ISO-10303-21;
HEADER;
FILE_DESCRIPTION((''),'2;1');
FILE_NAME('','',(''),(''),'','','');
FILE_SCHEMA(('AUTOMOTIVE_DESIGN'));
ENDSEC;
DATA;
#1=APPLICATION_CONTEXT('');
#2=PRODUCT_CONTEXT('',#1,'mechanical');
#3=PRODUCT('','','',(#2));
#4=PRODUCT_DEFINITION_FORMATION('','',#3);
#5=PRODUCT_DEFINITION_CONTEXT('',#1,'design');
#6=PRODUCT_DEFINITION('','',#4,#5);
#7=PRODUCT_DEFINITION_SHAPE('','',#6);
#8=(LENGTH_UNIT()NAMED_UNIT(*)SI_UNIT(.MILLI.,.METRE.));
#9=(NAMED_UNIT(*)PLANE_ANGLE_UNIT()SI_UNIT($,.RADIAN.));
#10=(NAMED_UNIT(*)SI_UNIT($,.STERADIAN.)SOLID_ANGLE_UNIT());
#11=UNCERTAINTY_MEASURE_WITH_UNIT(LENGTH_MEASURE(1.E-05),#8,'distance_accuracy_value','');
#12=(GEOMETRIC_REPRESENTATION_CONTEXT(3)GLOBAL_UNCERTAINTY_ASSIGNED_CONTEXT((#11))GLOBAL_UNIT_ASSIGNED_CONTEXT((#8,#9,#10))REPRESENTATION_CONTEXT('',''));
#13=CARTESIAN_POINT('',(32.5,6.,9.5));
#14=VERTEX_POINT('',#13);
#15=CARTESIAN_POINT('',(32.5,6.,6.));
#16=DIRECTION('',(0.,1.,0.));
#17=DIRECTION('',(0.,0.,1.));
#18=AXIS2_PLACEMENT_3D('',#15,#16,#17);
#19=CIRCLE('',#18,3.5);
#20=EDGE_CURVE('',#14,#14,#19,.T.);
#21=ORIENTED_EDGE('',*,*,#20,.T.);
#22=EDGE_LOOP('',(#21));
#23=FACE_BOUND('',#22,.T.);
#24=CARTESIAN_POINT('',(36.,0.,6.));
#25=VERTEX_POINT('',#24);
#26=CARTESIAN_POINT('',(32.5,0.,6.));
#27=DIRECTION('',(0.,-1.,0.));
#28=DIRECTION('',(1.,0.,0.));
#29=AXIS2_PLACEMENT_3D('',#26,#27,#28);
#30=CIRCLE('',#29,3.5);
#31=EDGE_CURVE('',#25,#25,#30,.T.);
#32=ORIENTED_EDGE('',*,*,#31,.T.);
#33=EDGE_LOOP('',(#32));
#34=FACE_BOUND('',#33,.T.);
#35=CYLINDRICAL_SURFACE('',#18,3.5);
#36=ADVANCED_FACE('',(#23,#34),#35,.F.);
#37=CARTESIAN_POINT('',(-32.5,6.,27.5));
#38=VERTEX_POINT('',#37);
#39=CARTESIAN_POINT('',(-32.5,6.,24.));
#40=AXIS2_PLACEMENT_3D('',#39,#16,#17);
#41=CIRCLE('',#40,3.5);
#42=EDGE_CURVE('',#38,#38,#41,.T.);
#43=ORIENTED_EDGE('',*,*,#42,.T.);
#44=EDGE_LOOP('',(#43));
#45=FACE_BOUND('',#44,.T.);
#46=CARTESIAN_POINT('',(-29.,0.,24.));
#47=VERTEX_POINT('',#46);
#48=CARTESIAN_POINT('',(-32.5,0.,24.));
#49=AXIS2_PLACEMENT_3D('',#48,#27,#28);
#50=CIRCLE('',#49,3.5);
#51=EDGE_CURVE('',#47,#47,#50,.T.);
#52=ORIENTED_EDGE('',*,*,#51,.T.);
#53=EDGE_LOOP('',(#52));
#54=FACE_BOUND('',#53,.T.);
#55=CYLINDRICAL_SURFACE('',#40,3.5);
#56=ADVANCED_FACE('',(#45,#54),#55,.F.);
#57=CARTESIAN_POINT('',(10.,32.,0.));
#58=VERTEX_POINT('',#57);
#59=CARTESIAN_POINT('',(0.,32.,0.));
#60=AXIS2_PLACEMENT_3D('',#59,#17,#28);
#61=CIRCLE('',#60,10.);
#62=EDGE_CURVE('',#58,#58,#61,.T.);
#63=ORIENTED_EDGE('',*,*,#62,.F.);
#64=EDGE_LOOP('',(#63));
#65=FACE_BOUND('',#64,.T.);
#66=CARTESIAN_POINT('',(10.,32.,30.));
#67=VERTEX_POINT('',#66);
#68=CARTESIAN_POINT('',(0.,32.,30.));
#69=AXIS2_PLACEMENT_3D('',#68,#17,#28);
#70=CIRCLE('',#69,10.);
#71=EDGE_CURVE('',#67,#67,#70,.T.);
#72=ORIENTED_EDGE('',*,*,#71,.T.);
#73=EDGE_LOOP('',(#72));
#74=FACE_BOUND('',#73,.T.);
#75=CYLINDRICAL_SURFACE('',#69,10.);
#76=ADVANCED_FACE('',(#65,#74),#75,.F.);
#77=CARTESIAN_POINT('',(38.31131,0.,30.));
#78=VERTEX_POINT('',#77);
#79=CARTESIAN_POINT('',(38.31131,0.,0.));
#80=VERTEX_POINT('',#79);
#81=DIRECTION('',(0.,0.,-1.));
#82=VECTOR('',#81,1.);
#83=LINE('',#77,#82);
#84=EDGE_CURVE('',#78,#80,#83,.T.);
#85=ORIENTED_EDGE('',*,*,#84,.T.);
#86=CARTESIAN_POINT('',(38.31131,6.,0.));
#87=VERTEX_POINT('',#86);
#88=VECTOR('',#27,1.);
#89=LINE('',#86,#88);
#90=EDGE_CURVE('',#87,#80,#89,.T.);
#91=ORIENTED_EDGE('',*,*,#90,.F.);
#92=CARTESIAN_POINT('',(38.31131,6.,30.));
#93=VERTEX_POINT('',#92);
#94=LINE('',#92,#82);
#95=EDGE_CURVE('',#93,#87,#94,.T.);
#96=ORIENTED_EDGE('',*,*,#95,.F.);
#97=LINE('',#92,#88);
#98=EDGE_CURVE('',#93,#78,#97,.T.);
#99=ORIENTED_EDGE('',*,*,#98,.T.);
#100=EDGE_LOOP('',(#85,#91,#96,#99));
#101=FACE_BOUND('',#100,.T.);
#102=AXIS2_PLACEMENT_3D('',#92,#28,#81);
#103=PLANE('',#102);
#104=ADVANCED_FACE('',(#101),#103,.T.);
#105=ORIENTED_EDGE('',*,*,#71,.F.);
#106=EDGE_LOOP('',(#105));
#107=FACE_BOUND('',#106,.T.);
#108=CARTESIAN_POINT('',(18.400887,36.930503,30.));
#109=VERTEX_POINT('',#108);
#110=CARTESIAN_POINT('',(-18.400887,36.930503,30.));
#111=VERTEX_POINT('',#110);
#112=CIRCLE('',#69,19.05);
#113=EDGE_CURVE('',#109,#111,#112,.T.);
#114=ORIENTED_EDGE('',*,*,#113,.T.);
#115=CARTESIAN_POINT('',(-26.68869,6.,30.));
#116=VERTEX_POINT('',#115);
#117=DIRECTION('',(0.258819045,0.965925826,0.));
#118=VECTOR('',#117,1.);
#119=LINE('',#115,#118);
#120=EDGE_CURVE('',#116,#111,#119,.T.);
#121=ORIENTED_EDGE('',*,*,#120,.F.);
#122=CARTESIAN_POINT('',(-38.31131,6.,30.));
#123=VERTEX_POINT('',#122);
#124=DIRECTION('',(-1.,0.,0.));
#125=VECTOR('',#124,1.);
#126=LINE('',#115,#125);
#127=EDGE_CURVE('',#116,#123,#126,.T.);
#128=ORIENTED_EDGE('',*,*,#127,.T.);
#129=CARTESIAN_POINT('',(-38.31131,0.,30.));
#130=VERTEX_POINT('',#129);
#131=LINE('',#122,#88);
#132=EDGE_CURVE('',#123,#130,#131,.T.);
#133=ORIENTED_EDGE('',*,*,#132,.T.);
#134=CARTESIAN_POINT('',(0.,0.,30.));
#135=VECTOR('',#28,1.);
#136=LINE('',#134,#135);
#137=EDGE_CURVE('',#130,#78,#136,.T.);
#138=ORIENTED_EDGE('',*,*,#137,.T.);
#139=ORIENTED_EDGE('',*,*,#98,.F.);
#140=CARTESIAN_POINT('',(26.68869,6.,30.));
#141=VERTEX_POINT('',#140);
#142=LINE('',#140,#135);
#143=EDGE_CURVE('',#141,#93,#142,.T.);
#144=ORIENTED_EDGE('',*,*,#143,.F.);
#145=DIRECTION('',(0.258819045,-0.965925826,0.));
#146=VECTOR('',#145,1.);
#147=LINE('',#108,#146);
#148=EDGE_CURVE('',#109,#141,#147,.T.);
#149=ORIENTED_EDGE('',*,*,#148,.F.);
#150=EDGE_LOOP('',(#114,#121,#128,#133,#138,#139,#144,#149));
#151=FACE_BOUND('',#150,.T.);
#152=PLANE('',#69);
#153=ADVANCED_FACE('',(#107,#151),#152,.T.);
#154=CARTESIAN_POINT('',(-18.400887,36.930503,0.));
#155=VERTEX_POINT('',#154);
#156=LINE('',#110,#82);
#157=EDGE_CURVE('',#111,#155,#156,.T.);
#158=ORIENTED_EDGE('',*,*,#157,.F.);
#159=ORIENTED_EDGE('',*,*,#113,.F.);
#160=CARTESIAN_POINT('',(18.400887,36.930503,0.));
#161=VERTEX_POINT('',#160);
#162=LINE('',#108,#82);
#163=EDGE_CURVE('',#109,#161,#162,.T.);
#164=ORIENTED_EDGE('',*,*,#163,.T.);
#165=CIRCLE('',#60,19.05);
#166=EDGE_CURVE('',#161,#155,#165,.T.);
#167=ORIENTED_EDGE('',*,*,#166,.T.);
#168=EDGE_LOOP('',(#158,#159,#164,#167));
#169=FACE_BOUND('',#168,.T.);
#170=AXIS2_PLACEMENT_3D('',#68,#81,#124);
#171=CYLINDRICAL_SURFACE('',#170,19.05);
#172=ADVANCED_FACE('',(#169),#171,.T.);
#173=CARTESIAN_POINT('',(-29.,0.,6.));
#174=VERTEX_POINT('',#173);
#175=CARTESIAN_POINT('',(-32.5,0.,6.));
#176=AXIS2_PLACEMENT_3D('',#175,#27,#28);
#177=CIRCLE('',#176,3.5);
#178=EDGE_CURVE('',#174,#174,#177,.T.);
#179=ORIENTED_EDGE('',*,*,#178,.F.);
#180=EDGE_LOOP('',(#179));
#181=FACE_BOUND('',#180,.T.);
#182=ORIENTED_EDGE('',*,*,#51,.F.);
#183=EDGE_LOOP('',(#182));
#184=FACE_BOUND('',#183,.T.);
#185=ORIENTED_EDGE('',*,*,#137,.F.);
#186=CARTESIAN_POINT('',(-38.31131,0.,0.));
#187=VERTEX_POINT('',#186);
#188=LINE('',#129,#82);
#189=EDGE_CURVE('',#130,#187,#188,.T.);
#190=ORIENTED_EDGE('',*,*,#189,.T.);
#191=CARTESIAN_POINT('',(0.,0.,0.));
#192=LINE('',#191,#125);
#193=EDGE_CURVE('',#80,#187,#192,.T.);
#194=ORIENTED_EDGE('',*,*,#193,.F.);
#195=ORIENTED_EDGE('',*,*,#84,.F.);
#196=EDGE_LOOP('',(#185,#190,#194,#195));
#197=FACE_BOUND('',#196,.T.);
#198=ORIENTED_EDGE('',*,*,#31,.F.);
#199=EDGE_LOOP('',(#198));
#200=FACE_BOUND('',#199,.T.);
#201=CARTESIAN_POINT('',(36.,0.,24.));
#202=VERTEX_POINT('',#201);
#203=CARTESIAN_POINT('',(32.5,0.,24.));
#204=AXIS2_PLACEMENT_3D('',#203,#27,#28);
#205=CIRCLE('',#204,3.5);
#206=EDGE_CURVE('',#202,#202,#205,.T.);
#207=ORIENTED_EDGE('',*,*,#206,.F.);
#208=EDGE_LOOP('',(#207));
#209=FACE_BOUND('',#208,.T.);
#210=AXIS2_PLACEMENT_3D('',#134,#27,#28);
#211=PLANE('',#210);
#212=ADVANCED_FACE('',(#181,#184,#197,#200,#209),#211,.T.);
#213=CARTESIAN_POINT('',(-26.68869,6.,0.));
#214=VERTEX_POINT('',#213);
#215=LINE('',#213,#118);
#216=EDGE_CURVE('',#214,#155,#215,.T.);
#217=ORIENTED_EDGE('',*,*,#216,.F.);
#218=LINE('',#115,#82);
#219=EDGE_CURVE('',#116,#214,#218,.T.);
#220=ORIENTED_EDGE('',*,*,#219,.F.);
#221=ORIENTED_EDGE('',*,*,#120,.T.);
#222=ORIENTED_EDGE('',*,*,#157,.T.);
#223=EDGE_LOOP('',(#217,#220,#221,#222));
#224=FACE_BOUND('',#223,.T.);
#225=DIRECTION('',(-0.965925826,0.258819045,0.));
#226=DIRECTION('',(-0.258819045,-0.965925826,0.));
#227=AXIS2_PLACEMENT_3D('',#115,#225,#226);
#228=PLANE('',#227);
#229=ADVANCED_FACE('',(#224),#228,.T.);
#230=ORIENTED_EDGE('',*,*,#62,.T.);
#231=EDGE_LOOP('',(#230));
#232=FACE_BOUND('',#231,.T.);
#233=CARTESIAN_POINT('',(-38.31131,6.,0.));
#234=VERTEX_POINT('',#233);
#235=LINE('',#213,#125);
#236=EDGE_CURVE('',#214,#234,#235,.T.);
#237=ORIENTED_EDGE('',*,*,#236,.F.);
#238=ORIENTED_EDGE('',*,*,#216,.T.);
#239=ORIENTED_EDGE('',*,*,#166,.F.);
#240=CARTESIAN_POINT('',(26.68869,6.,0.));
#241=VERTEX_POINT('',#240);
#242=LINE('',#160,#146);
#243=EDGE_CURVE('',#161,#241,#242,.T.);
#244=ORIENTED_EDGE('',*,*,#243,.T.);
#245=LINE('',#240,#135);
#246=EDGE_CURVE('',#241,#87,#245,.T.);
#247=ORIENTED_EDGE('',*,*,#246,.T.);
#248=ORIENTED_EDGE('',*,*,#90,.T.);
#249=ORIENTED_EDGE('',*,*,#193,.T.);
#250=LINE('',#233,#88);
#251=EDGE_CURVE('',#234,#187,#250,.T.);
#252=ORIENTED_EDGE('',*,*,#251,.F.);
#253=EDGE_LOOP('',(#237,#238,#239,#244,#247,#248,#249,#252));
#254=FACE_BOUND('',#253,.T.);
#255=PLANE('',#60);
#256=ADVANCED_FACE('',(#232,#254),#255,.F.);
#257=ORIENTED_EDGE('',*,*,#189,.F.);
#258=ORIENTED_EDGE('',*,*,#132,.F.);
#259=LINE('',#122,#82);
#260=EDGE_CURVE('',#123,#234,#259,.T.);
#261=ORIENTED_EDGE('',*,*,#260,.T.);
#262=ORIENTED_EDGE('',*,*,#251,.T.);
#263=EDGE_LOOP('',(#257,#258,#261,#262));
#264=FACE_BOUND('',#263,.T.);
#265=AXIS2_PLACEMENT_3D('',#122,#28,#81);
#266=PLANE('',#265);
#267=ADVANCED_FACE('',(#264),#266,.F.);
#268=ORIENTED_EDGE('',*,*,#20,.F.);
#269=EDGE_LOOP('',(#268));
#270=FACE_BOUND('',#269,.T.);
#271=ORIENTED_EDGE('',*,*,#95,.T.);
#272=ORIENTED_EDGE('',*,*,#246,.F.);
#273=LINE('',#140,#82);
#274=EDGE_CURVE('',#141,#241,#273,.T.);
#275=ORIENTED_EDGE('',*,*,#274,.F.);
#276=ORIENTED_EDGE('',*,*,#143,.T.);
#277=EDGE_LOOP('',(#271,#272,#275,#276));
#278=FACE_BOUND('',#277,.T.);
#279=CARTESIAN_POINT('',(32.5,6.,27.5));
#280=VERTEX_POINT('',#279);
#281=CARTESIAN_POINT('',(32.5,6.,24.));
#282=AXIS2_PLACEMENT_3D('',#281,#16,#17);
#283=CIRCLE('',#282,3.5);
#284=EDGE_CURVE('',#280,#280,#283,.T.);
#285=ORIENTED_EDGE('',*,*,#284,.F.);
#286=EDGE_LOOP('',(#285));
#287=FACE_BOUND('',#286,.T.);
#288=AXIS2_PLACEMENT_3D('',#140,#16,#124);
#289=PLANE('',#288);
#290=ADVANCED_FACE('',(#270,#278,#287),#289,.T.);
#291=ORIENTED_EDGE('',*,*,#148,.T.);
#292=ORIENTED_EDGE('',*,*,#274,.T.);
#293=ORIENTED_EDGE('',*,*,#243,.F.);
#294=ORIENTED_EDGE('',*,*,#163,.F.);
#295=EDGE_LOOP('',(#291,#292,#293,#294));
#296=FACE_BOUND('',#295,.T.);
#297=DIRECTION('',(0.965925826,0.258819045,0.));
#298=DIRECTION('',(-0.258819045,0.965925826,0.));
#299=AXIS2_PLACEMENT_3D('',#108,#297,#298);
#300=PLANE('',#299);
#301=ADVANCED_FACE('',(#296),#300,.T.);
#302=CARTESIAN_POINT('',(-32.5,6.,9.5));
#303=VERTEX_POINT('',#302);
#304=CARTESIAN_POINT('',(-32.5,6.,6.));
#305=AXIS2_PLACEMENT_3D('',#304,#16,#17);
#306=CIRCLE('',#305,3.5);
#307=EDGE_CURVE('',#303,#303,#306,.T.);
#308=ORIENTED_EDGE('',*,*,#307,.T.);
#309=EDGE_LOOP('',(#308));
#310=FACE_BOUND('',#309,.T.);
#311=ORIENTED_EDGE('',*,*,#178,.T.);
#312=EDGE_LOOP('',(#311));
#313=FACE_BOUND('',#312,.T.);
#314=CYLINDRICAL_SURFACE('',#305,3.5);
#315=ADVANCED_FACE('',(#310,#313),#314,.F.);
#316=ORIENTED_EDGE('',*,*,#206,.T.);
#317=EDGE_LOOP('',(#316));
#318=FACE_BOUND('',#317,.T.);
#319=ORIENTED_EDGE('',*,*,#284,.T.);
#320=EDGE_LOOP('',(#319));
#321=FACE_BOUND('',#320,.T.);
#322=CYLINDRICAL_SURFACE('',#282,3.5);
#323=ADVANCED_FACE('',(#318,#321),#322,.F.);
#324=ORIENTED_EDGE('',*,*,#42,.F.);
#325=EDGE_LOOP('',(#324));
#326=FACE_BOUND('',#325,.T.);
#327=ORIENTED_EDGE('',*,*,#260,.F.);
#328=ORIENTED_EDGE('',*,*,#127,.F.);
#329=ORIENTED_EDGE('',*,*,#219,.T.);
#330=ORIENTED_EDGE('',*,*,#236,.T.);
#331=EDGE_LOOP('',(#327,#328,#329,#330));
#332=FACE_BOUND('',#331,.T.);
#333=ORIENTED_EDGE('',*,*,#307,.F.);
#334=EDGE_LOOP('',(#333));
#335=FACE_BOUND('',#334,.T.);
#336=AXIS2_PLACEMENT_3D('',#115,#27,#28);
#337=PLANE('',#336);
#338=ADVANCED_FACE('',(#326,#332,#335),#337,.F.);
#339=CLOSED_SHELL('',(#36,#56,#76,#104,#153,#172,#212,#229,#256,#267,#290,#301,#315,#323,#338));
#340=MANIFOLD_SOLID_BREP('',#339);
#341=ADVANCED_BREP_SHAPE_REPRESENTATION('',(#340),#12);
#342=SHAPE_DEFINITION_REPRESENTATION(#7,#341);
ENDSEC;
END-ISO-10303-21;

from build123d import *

# Parameters (mm, degrees)
BOSS_EXTRUDE1_DEPTH            = 30
F_20_0MM_DOWEL_HOLE1_D         = 20
F_20_0MM_DOWEL_HOLE1_DEPTH     = 74.0791
F_20_0MM_DOWEL_HOLE1_TIP       = 6.00860619
M8X1_0_TAPPED_HOLE1_AT_2_COUNT = 2
M8X1_0_TAPPED_HOLE1_AT_2_PITCH = 18


with BuildPart() as part:
    # Sketch1 → Boss-Extrude1 (new body)
    with BuildSketch(Plane.XY):
        with BuildLine():
            Line((0, 0), (-38.31130976, 0))
            Line((-38.31130976, 0), (-38.31130976, 6))
            Line((-38.31130976, 6), (-26.68869024, 6))
            Line((-26.68869024, 6), (-18.400886991, 36.930502809))
            ThreePointArc((-18.400886991, 36.930502809), (0, 51.05), (18.400886991, 36.930502809))
            Line((18.400886991, 36.930502809), (26.68869024, 6))
            Line((26.68869024, 6), (38.31130976, 6))
            Line((38.31130976, 6), (38.31130976, 0))
            Line((38.31130976, 0), (0, 0))
        make_face()
    extrude(amount=BOSS_EXTRUDE1_DEPTH)

    # Ø20.0mm Dowel Hole1
    with Locations(Plane(origin=(0, 32, 30), x_dir=(1, 0, 0), z_dir=(0, 0, 1))):
        with Locations((0, 0)):
            Hole(F_20_0MM_DOWEL_HOLE1_D / 2, depth=F_20_0MM_DOWEL_HOLE1_DEPTH)
            with Locations((0, 0, -(F_20_0MM_DOWEL_HOLE1_DEPTH + F_20_0MM_DOWEL_HOLE1_TIP / 2))):  # 118° drill point
                Cone(0, F_20_0MM_DOWEL_HOLE1_D / 2, F_20_0MM_DOWEL_HOLE1_TIP, mode=Mode.SUBTRACT)

    # Sketch6 → M8x1.0 Tapped Hole1 (revolve, cut)
    with BuildSketch(Plane(origin=(-32.5, 6, 6), x_dir=(0, 0, 1), z_dir=(1, 0, 0))):
        Polygon((0, 0), (0, 21.103012167), (3.5, 19), (3.5, 0), align=None)
    m8x1_0_tapped_hole1 = revolve(axis=Axis((-32.5, 12.35, 6), (0, -1, 0)), mode=Mode.SUBTRACT)

    # M8x1.0 Tapped Hole1 at 2: M8x1.0 Tapped Hole1 ×2
    with Locations(*[(0, 0, i * M8X1_0_TAPPED_HOLE1_AT_2_PITCH) for i in range(1, M8X1_0_TAPPED_HOLE1_AT_2_COUNT)]):
        add(m8x1_0_tapped_hole1, mode=Mode.SUBTRACT)

    # Mirror1: M8x1.0 Tapped Hole1 across plane
    add(m8x1_0_tapped_hole1.mirror(Plane(origin=(0, 0, 0), x_dir=(0, 0, 1), z_dir=(1, 0, 0))), mode=Mode.SUBTRACT)

    # Mirror1 copy 1 sketch → Mirror1 copy 1 (revolve, cut)
    with BuildSketch(Plane(origin=(32.5, 6, 24), x_dir=(0, 0, 1), z_dir=(-1, 0, 0))):
        Polygon((0, 0), (0, -21.103012167), (3.5, -19), (3.5, 0), align=None)
    revolve(axis=Axis((32.5, 12.35, 24), (0, 1, 0)), mode=Mode.SUBTRACT)


solid = part.part
